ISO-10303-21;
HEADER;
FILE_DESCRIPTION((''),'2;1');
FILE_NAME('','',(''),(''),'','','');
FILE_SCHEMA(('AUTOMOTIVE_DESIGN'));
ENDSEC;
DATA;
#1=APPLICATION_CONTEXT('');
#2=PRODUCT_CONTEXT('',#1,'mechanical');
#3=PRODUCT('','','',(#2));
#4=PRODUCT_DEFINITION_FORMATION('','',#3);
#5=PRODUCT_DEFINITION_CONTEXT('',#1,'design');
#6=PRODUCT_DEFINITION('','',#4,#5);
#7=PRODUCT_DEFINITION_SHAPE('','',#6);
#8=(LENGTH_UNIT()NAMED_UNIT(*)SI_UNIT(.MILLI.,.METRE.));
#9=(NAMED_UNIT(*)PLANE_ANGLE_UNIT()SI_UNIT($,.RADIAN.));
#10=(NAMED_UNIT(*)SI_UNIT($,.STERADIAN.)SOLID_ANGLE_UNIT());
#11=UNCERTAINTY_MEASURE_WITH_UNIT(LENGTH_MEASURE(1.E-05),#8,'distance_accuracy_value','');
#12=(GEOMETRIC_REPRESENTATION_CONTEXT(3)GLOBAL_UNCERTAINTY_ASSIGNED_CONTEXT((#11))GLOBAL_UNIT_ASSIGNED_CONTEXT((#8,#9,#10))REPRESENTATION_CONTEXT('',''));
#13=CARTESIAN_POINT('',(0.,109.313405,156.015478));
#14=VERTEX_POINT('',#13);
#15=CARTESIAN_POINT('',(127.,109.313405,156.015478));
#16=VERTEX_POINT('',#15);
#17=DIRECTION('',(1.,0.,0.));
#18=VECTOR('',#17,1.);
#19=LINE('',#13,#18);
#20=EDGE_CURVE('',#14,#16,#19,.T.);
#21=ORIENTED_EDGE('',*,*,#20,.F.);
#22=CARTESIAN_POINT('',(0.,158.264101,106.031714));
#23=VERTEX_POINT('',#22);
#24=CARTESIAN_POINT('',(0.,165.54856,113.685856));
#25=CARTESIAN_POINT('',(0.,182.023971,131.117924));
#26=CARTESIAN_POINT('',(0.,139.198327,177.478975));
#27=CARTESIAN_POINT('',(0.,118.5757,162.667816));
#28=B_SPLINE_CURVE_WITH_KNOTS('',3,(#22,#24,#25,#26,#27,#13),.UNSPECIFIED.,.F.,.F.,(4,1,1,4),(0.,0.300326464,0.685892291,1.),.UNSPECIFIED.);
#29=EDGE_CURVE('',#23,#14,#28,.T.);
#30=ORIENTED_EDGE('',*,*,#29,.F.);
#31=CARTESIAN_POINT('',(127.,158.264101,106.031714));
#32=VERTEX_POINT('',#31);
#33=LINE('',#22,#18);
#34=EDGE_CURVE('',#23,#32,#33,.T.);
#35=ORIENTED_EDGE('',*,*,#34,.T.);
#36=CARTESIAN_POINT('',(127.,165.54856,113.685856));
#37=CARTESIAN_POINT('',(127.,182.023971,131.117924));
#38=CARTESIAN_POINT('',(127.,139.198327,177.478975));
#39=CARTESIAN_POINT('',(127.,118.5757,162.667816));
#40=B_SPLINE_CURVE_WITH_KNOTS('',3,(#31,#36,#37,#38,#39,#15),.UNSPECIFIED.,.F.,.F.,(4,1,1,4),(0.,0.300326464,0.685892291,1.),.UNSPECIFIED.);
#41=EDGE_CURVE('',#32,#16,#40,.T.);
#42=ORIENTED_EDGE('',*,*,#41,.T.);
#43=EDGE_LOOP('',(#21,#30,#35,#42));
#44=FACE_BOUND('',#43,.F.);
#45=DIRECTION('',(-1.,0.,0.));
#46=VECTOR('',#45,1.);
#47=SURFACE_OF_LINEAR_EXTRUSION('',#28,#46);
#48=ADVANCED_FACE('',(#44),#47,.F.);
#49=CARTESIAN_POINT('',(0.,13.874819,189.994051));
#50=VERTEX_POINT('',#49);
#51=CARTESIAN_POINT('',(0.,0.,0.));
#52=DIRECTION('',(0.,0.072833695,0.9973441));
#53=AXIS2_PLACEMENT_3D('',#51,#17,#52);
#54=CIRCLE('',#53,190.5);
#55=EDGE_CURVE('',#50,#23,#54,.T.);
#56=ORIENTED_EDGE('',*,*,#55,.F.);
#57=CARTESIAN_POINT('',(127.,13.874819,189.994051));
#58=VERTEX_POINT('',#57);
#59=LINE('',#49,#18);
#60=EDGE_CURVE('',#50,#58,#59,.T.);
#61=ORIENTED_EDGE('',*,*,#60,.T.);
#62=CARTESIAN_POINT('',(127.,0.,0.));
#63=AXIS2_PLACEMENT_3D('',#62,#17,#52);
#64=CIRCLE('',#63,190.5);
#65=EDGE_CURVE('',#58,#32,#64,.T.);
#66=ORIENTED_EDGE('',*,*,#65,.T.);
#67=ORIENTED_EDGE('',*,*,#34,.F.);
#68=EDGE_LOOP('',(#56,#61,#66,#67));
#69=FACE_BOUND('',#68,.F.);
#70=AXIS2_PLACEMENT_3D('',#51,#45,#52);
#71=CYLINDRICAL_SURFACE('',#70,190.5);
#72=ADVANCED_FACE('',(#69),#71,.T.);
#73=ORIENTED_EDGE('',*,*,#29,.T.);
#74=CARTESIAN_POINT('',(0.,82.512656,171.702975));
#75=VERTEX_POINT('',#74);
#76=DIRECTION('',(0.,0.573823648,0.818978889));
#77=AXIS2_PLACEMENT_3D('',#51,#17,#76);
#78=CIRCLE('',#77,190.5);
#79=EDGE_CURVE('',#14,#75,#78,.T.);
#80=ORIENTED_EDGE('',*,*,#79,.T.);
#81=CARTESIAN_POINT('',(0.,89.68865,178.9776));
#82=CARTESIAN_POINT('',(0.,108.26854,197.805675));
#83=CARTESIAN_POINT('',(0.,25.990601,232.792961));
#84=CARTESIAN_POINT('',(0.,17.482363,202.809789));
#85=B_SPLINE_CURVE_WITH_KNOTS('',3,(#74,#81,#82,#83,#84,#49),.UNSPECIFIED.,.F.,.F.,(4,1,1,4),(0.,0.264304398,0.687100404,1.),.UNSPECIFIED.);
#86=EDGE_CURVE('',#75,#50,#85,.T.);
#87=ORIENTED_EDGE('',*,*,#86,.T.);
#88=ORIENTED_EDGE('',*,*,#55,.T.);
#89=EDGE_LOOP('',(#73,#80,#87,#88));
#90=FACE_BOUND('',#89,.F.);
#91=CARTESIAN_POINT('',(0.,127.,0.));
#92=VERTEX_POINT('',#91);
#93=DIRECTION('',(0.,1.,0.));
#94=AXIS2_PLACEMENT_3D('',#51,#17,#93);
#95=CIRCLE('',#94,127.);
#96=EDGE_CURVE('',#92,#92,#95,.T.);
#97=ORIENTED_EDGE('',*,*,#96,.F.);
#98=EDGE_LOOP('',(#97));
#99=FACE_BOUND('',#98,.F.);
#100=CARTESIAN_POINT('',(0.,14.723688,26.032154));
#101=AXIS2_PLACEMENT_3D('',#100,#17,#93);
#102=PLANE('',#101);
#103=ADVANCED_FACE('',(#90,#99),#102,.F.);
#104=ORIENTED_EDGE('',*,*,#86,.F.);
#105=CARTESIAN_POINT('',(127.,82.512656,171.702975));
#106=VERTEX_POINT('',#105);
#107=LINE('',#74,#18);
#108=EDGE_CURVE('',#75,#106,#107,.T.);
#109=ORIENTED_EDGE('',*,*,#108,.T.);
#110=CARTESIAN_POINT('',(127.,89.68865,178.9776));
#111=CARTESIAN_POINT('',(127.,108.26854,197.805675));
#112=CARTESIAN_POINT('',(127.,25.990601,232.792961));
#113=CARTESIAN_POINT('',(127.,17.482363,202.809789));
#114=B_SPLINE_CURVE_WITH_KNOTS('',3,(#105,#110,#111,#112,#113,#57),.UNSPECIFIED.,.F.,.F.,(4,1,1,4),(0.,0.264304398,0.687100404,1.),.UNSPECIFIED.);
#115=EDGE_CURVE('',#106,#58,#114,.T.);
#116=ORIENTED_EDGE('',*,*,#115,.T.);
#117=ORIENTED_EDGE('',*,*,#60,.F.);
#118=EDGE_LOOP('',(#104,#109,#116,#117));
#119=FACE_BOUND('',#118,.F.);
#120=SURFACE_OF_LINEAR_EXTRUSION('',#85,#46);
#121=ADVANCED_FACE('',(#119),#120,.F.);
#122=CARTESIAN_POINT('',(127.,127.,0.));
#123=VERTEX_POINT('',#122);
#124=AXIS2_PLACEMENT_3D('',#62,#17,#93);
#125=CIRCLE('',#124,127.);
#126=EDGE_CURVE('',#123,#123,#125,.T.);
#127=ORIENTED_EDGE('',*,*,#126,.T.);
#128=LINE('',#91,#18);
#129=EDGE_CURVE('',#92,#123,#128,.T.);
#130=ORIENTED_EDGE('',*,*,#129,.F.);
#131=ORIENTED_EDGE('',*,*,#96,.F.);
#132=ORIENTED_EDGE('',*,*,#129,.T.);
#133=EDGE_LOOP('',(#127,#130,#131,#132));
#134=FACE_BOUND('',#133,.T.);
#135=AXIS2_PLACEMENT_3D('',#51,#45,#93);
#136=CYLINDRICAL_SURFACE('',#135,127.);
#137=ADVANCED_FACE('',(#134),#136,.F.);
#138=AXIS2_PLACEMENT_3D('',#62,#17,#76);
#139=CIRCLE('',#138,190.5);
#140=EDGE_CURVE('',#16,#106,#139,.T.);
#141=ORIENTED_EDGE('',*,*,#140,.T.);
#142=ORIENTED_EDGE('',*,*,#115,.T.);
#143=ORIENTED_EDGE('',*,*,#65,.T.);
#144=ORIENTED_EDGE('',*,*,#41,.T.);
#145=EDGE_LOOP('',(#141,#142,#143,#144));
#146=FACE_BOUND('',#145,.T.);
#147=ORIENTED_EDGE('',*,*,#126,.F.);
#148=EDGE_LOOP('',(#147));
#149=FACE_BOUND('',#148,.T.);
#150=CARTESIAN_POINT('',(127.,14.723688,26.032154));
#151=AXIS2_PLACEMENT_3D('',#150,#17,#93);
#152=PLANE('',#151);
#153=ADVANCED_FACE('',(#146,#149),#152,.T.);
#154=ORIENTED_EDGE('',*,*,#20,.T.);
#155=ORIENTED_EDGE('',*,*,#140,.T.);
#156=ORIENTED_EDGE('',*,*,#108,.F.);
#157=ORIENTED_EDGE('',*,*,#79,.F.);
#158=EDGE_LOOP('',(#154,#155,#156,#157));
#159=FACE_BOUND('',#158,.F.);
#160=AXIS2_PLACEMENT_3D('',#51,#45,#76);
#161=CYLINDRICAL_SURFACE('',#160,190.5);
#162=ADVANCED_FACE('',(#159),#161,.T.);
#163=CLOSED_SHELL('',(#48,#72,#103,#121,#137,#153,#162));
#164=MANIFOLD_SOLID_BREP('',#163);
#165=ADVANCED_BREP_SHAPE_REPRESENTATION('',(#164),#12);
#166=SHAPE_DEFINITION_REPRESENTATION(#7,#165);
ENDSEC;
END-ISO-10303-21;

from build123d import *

# Parameters (mm, degrees)
F0_R     = 127
F1_DEPTH = 127


with BuildPart() as f1:
    # F0 (on Right) → F1 (new body)
    with BuildSketch(Plane.YZ):
        with BuildLine():
            add(Edge.make_bspline(
                [(158.2641009199, 106.0317139351), (165.5485603506, 113.6858559313), (182.0239705027, 131.117923524), (139.1983271887, 177.4789745685), (118.5757002352, 162.6678158934), (109.3134050001, 156.015478358)],
                knots=[0, 0, 0, 0, 0.3003264643, 0.6858922915, 1, 1, 1, 1], degree=3))
            ThreePointArc((109.3134050001, 156.015478358), (96.2332261062, 164.40625351), (82.5126559992, 171.7029749304))
            add(Edge.make_bspline(
                [(82.5126559992, 171.7029749304), (89.6886495751, 178.9776002541), (108.2685400395, 197.8056751478), (25.9906013723, 232.7929605878), (17.4823634781, 202.8097889739), (13.87481885, 189.9940509644)],
                knots=[0, 0, 0, 0, 0.2643043975, 0.6871004045, 1, 1, 1, 1], degree=3))
            ThreePointArc((13.87481885, 189.9940509644), (-95.7620511202, -164.6811451419), (158.2641009199, 106.0317139351))
        make_face()
        Circle(F0_R, mode=Mode.SUBTRACT)
    extrude(amount=F1_DEPTH)


solid = f1.part
